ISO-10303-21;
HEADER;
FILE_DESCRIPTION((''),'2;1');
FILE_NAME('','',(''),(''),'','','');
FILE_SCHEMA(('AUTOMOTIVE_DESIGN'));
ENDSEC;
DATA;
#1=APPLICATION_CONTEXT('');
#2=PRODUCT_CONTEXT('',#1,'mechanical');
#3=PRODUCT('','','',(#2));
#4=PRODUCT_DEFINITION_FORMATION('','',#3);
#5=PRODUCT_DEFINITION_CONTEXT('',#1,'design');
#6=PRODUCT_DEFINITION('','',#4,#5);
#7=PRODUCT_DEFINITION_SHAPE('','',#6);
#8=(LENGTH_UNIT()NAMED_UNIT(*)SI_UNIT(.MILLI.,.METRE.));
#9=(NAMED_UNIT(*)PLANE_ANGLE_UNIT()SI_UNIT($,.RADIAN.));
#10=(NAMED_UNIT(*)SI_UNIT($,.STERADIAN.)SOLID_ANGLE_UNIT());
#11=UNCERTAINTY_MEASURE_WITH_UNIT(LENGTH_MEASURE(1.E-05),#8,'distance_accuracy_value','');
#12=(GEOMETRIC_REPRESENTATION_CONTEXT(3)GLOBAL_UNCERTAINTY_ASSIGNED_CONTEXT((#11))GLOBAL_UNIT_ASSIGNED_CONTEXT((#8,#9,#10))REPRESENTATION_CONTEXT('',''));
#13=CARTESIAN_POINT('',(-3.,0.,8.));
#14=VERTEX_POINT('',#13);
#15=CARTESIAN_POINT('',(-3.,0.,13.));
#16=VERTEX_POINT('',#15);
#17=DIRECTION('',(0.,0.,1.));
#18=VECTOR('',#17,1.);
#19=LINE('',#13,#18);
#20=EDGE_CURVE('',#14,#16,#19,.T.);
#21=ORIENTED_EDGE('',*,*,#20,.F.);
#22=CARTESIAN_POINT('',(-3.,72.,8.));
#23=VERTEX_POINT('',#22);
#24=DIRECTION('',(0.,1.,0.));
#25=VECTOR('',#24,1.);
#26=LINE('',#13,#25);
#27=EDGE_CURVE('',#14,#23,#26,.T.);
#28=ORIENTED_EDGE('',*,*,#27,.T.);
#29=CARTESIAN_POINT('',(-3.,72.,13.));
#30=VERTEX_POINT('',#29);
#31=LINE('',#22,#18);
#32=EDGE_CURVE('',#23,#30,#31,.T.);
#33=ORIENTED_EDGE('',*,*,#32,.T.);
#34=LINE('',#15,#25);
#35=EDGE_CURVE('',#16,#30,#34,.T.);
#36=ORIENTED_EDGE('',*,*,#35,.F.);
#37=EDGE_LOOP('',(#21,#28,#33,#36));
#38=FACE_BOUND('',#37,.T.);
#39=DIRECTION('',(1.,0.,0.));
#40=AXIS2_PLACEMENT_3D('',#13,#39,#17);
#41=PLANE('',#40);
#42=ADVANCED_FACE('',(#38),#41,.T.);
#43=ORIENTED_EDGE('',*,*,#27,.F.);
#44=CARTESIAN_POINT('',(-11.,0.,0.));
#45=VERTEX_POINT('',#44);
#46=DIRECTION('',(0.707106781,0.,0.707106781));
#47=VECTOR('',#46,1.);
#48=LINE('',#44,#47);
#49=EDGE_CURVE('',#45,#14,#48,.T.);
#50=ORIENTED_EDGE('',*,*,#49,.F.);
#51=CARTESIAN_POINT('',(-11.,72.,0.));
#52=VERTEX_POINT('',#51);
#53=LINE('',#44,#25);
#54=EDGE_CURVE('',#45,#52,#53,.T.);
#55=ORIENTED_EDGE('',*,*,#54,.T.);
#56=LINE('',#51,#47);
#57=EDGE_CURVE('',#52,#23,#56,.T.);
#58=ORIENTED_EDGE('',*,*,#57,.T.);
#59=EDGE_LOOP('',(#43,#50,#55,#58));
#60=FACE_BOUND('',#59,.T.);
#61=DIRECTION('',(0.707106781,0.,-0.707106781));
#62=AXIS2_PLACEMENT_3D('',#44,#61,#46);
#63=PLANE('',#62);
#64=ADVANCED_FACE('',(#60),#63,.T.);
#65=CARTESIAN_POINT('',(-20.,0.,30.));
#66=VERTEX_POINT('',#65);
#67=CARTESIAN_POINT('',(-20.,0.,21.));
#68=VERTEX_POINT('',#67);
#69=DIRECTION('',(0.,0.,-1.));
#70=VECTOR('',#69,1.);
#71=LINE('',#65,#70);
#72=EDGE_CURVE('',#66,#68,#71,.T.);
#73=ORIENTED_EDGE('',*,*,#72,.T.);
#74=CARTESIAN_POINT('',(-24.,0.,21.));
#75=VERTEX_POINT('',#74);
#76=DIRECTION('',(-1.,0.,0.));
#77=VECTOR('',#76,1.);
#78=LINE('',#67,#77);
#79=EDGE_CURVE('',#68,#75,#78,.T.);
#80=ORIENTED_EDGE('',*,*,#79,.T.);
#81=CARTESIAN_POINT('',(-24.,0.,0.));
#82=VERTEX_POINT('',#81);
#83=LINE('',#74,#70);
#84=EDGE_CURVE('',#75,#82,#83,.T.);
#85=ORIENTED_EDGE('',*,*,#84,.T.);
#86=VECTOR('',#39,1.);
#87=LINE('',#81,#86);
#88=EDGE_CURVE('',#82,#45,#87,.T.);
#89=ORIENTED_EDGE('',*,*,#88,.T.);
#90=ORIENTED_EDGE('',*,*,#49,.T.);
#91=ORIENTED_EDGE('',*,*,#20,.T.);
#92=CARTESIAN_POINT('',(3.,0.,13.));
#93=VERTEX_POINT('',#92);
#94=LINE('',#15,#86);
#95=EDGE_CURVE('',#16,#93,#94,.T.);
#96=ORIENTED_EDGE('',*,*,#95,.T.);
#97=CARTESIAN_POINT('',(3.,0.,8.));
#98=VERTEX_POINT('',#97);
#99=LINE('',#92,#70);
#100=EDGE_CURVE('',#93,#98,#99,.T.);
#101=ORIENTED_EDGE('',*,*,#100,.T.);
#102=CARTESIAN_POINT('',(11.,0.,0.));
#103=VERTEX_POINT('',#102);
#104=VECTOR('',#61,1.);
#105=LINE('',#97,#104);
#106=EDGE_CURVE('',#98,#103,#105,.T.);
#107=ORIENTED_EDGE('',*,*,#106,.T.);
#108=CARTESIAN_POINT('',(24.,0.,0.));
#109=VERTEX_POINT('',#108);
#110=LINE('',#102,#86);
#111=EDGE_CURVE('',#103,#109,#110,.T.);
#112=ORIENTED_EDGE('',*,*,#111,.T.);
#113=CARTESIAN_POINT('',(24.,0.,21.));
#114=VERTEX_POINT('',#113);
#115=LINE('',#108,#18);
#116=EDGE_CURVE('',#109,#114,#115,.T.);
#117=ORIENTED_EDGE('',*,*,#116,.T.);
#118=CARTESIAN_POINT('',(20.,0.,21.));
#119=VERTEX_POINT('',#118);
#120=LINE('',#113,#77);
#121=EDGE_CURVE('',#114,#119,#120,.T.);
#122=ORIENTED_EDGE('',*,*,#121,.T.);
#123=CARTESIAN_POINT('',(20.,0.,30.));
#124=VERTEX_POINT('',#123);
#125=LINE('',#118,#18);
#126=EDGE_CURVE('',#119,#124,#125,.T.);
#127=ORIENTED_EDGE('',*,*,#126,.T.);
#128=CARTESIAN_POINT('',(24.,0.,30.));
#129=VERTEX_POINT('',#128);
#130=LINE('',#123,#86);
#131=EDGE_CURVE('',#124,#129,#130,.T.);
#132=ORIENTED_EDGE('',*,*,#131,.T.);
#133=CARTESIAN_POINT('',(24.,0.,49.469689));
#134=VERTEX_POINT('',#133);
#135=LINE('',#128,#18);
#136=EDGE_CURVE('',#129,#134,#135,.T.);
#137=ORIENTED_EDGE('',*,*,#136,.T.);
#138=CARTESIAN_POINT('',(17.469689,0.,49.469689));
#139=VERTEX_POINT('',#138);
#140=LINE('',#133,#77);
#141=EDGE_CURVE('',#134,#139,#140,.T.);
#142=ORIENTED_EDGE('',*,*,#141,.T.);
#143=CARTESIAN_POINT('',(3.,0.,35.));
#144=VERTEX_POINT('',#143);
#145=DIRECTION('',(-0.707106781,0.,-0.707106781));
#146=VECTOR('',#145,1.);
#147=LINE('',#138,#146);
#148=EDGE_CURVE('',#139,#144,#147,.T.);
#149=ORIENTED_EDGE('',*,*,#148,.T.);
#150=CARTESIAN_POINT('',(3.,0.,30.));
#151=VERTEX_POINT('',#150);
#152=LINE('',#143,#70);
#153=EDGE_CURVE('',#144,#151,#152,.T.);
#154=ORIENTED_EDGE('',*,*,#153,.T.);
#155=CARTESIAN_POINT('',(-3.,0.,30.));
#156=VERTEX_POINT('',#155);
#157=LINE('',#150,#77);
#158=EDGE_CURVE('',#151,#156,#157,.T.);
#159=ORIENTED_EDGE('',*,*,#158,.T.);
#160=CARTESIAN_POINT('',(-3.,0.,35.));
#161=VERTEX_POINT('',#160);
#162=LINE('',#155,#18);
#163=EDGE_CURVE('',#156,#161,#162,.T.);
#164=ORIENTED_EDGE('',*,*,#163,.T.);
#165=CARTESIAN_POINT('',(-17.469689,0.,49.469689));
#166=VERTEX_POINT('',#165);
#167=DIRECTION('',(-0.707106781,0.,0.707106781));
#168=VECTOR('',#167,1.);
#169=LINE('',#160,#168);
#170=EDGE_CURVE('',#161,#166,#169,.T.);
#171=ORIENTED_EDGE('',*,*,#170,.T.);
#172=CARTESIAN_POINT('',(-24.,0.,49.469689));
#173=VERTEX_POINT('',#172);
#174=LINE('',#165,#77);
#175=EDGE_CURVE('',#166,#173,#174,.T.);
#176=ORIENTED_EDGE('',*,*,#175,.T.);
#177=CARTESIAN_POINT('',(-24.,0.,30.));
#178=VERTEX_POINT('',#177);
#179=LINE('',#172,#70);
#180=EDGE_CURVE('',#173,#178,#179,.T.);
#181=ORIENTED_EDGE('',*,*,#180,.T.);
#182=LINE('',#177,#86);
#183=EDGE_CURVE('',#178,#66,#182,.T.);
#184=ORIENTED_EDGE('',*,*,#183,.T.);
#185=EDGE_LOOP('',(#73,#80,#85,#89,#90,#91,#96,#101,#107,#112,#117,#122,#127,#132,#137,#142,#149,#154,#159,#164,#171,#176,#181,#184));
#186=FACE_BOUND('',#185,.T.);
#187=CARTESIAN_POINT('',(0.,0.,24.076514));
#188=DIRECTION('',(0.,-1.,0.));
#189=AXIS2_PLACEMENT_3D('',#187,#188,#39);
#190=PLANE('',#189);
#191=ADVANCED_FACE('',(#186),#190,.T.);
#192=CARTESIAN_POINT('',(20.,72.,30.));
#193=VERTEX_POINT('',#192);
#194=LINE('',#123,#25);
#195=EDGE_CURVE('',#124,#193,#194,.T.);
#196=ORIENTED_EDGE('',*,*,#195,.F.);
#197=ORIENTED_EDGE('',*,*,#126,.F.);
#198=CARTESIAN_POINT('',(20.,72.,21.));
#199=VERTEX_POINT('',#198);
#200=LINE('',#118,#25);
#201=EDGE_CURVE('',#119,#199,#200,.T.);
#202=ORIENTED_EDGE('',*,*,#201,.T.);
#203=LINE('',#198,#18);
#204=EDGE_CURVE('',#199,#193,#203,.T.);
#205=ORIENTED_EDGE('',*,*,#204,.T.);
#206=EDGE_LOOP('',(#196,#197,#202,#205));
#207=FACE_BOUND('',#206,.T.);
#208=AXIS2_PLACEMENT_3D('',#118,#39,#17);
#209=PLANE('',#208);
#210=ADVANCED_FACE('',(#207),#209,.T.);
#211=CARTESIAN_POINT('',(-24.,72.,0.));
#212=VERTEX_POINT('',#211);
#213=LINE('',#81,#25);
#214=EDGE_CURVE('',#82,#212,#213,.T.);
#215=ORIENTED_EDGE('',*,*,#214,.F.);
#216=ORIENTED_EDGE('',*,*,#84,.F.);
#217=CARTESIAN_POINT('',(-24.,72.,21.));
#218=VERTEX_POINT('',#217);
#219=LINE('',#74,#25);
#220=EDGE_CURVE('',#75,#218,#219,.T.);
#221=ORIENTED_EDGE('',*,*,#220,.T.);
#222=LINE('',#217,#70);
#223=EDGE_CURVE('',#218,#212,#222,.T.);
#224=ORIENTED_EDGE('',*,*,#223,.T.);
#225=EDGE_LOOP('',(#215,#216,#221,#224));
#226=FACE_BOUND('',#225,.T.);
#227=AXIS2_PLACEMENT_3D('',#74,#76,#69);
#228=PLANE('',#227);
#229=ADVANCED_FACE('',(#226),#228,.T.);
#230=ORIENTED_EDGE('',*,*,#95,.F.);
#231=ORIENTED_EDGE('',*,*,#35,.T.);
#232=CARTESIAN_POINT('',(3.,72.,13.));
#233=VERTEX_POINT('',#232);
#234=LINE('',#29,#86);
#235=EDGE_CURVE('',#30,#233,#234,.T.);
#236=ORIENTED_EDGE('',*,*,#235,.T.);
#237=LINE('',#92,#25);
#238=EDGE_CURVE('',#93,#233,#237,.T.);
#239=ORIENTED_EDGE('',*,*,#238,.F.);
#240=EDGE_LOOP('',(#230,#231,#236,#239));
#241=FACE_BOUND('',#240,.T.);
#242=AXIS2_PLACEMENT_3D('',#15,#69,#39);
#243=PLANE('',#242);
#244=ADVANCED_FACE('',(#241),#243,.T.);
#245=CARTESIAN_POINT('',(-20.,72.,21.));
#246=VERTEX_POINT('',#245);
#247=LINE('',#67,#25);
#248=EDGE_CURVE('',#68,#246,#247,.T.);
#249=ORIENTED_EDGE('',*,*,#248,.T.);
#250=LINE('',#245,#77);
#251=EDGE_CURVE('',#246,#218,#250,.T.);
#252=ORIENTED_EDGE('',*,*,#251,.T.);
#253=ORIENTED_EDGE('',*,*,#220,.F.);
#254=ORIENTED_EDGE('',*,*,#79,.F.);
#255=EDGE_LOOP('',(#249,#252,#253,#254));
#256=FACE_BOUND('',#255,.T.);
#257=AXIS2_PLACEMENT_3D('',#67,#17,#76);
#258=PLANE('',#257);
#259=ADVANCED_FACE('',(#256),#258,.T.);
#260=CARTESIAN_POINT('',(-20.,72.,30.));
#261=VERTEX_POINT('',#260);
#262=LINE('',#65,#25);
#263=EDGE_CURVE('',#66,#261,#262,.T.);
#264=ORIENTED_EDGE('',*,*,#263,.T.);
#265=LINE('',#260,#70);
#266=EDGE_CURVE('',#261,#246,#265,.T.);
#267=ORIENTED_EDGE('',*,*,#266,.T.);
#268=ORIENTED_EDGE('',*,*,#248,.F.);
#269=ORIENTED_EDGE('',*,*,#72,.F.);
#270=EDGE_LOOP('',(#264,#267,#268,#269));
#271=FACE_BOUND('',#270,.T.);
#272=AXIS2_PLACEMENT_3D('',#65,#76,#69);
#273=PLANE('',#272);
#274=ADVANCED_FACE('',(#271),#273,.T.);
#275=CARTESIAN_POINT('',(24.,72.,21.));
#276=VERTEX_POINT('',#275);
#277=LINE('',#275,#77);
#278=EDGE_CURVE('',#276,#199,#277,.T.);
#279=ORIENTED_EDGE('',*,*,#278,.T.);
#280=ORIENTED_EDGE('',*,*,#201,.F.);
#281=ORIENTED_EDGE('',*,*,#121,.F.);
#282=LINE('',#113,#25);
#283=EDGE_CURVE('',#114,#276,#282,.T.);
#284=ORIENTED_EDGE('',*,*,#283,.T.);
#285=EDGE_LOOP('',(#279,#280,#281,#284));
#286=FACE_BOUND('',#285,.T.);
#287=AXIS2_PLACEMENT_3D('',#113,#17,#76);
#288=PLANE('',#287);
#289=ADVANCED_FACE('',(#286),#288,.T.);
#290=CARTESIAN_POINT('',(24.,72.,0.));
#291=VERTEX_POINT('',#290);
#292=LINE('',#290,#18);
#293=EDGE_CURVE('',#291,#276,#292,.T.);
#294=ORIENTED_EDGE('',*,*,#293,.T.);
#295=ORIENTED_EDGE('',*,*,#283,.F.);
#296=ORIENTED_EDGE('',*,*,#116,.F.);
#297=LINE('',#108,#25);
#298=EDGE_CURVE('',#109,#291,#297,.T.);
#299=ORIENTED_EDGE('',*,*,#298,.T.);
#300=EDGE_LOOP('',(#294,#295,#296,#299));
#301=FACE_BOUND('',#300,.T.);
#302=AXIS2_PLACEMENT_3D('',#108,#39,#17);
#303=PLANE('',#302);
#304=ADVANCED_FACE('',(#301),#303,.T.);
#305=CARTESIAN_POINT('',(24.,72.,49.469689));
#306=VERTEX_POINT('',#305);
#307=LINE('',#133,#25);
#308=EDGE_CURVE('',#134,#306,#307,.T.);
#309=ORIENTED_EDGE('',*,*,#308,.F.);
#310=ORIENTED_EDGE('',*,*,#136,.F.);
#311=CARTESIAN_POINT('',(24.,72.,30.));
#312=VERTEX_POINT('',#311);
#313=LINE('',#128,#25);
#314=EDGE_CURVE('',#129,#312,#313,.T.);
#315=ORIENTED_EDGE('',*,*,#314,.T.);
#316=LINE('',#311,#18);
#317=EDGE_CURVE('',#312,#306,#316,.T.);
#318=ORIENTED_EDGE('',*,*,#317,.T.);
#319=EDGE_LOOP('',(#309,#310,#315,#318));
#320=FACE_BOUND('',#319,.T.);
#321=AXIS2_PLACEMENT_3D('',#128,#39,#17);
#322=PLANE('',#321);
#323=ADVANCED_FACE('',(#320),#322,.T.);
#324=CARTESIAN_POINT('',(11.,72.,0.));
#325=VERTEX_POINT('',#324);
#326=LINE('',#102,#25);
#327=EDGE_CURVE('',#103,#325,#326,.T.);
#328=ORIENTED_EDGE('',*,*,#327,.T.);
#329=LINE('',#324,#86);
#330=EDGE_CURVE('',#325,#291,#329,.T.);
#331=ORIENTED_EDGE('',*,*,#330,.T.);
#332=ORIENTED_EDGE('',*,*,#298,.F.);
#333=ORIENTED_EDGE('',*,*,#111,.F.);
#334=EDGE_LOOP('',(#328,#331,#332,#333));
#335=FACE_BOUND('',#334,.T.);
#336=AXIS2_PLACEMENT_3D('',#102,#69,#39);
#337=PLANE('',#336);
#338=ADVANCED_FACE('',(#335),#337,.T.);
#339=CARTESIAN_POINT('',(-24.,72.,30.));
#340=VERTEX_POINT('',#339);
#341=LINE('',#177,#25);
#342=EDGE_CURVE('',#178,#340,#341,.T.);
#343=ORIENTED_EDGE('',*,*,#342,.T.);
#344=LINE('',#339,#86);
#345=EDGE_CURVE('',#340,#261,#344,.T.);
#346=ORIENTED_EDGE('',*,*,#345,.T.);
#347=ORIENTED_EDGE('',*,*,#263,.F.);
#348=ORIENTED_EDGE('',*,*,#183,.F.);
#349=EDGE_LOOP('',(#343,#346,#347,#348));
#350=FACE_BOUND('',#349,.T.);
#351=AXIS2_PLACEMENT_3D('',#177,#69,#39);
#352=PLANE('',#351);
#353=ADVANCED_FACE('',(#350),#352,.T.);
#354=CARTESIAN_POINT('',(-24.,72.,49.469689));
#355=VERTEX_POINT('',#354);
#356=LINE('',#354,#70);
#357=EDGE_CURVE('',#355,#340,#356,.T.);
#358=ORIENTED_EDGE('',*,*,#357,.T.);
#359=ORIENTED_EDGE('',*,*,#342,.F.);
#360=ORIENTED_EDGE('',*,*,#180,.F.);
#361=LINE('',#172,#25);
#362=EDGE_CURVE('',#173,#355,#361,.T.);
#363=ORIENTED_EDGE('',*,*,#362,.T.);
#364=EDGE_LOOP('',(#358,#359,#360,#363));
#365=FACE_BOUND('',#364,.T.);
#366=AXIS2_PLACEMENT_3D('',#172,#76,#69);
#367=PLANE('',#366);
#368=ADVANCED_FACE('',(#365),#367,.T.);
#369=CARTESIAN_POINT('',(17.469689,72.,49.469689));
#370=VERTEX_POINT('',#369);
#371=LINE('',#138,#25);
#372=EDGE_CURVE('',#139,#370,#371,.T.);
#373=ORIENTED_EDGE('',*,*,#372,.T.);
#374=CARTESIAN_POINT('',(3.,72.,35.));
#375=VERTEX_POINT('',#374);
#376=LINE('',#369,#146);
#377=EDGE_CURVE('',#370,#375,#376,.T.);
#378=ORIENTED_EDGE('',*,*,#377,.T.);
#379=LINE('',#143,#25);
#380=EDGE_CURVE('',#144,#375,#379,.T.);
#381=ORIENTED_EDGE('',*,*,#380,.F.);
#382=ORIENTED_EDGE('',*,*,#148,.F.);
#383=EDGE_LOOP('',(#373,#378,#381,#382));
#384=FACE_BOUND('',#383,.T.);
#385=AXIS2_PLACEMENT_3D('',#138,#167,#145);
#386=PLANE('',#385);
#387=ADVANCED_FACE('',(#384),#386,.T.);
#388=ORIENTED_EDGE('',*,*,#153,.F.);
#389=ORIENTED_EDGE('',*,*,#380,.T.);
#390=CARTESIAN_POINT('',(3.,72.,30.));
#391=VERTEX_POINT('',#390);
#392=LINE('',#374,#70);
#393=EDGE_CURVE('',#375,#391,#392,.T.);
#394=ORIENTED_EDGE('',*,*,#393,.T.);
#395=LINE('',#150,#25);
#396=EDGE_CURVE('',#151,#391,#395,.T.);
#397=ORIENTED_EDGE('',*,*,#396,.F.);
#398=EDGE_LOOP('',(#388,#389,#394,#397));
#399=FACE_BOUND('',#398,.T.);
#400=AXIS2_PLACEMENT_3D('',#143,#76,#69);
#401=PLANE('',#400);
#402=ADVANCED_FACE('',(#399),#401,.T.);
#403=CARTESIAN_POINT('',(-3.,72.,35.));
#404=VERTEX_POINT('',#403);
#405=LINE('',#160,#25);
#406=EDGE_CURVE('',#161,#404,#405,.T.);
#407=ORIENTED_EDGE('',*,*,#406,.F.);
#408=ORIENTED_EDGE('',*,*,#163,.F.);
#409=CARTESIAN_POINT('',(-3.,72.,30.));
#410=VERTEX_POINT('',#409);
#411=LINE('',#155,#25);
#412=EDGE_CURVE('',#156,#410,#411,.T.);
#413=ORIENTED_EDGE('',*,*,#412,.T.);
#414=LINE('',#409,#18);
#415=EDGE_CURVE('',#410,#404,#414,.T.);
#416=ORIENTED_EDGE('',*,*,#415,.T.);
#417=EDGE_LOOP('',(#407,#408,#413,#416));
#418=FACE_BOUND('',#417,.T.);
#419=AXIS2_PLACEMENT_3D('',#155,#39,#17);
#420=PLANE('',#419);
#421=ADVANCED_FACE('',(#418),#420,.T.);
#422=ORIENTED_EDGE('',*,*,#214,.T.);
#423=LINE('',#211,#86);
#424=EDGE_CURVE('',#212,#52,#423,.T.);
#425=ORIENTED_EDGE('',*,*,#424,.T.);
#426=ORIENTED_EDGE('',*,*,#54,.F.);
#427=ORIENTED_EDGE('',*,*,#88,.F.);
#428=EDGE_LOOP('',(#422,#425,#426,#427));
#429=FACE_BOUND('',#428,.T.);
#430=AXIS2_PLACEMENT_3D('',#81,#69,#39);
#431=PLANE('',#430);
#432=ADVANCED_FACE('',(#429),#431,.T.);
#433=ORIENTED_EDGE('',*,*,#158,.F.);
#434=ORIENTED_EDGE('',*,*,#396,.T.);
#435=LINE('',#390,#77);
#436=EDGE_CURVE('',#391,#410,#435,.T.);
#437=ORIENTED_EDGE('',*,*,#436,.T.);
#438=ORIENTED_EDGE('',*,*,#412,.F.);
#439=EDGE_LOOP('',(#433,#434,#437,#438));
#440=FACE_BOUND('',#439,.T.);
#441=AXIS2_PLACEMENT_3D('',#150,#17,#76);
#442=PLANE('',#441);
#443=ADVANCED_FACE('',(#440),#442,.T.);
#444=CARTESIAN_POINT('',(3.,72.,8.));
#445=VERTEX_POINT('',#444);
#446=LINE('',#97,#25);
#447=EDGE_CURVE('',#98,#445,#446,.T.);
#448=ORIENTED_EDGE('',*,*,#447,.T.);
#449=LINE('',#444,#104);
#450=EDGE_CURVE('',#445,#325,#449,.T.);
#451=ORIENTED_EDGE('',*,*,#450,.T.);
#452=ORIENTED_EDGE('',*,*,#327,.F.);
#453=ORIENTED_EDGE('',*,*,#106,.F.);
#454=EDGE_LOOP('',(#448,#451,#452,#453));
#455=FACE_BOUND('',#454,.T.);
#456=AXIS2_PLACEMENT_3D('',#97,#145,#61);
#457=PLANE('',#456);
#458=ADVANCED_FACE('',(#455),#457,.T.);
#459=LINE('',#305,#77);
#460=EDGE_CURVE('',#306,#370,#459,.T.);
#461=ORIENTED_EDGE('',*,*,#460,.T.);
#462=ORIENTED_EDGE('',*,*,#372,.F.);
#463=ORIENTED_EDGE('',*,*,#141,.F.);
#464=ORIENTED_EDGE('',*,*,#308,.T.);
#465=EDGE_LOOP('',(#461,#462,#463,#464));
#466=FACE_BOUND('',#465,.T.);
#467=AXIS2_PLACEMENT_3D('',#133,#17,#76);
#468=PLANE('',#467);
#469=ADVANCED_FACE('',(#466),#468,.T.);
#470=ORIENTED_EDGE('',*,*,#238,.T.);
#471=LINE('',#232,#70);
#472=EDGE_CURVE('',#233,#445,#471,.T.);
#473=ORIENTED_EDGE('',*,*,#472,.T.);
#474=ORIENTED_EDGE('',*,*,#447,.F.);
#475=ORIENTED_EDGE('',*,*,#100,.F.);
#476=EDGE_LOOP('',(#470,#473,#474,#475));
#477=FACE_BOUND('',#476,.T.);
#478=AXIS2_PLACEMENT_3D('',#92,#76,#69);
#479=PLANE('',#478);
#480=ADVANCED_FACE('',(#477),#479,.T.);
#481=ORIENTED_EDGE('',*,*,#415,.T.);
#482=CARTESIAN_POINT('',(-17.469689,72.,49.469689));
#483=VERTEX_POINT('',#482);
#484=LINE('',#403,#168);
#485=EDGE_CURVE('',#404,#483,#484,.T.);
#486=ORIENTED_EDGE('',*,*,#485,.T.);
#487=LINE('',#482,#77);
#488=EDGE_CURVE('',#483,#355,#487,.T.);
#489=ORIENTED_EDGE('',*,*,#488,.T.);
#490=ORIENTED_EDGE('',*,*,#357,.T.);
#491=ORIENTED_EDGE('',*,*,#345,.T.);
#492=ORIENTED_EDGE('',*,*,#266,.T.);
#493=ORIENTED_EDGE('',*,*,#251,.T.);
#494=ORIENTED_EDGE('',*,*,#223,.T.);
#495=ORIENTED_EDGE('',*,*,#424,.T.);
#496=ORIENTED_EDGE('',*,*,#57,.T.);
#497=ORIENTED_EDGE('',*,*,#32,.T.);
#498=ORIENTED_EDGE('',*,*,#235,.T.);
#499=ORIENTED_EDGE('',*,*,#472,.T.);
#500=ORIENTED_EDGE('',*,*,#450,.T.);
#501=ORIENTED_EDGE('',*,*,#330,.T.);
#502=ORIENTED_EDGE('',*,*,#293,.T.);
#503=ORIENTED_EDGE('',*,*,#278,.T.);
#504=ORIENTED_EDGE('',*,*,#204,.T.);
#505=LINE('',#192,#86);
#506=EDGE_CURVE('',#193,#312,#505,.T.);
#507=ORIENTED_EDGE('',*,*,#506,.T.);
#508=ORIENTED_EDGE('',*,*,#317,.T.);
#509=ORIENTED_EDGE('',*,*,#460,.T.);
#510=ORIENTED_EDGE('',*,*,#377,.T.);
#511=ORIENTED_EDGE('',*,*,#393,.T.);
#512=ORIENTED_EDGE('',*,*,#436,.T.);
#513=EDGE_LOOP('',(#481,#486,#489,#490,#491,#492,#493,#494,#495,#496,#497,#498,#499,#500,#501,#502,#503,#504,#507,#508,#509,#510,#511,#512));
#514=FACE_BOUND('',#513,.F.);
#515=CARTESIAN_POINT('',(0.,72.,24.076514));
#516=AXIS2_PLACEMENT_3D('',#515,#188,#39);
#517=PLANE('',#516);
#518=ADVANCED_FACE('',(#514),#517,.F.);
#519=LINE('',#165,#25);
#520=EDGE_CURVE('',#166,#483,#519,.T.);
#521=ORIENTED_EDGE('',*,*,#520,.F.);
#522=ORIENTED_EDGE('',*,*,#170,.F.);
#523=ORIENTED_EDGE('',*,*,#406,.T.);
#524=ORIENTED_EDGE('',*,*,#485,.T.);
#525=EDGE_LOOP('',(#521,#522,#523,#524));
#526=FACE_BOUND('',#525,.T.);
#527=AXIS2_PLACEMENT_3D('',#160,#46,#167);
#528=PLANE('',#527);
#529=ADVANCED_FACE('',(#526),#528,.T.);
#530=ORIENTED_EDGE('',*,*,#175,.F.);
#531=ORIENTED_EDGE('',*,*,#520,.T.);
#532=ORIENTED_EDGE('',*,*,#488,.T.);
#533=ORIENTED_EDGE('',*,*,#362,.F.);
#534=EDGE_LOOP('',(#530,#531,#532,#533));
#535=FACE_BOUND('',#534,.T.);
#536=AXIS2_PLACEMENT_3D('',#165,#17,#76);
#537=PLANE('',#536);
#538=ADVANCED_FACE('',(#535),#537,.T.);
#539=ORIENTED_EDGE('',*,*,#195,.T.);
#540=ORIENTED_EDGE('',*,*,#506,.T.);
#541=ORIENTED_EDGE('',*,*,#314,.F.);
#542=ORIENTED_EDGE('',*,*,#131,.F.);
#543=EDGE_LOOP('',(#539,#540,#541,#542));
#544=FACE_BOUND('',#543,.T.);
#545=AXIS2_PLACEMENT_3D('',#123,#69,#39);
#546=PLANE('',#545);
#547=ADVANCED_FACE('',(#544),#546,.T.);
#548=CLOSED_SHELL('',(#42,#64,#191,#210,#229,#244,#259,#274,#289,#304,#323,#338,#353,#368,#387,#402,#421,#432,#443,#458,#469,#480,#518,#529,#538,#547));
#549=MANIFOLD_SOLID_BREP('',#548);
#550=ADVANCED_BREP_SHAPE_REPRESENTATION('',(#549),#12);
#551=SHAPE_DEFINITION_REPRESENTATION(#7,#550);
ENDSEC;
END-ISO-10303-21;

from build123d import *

# Parameters (mm, degrees)
F1_DEPTH = 72


with BuildPart() as f1:
    # F0 (on Front) → F1 (new body)
    with BuildSketch(Plane.XZ):
        Polygon((-24, 21), (-24, 0), (-11, 0), (-3, 8), (-3, 13), (3, 13), (3, 8), (11, 0), (24, 0), (24, 21), (20, 21), (20, 30), (24, 30), (24, 49.469689), (17.469689, 49.469689), (3, 35), (3, 30), (-3, 30), (-3, 35), (-17.469689, 49.469689), (-24, 49.469689), (-24, 30), (-20, 30), (-20, 21), align=None)
    extrude(amount=-F1_DEPTH)


solid = f1.part
